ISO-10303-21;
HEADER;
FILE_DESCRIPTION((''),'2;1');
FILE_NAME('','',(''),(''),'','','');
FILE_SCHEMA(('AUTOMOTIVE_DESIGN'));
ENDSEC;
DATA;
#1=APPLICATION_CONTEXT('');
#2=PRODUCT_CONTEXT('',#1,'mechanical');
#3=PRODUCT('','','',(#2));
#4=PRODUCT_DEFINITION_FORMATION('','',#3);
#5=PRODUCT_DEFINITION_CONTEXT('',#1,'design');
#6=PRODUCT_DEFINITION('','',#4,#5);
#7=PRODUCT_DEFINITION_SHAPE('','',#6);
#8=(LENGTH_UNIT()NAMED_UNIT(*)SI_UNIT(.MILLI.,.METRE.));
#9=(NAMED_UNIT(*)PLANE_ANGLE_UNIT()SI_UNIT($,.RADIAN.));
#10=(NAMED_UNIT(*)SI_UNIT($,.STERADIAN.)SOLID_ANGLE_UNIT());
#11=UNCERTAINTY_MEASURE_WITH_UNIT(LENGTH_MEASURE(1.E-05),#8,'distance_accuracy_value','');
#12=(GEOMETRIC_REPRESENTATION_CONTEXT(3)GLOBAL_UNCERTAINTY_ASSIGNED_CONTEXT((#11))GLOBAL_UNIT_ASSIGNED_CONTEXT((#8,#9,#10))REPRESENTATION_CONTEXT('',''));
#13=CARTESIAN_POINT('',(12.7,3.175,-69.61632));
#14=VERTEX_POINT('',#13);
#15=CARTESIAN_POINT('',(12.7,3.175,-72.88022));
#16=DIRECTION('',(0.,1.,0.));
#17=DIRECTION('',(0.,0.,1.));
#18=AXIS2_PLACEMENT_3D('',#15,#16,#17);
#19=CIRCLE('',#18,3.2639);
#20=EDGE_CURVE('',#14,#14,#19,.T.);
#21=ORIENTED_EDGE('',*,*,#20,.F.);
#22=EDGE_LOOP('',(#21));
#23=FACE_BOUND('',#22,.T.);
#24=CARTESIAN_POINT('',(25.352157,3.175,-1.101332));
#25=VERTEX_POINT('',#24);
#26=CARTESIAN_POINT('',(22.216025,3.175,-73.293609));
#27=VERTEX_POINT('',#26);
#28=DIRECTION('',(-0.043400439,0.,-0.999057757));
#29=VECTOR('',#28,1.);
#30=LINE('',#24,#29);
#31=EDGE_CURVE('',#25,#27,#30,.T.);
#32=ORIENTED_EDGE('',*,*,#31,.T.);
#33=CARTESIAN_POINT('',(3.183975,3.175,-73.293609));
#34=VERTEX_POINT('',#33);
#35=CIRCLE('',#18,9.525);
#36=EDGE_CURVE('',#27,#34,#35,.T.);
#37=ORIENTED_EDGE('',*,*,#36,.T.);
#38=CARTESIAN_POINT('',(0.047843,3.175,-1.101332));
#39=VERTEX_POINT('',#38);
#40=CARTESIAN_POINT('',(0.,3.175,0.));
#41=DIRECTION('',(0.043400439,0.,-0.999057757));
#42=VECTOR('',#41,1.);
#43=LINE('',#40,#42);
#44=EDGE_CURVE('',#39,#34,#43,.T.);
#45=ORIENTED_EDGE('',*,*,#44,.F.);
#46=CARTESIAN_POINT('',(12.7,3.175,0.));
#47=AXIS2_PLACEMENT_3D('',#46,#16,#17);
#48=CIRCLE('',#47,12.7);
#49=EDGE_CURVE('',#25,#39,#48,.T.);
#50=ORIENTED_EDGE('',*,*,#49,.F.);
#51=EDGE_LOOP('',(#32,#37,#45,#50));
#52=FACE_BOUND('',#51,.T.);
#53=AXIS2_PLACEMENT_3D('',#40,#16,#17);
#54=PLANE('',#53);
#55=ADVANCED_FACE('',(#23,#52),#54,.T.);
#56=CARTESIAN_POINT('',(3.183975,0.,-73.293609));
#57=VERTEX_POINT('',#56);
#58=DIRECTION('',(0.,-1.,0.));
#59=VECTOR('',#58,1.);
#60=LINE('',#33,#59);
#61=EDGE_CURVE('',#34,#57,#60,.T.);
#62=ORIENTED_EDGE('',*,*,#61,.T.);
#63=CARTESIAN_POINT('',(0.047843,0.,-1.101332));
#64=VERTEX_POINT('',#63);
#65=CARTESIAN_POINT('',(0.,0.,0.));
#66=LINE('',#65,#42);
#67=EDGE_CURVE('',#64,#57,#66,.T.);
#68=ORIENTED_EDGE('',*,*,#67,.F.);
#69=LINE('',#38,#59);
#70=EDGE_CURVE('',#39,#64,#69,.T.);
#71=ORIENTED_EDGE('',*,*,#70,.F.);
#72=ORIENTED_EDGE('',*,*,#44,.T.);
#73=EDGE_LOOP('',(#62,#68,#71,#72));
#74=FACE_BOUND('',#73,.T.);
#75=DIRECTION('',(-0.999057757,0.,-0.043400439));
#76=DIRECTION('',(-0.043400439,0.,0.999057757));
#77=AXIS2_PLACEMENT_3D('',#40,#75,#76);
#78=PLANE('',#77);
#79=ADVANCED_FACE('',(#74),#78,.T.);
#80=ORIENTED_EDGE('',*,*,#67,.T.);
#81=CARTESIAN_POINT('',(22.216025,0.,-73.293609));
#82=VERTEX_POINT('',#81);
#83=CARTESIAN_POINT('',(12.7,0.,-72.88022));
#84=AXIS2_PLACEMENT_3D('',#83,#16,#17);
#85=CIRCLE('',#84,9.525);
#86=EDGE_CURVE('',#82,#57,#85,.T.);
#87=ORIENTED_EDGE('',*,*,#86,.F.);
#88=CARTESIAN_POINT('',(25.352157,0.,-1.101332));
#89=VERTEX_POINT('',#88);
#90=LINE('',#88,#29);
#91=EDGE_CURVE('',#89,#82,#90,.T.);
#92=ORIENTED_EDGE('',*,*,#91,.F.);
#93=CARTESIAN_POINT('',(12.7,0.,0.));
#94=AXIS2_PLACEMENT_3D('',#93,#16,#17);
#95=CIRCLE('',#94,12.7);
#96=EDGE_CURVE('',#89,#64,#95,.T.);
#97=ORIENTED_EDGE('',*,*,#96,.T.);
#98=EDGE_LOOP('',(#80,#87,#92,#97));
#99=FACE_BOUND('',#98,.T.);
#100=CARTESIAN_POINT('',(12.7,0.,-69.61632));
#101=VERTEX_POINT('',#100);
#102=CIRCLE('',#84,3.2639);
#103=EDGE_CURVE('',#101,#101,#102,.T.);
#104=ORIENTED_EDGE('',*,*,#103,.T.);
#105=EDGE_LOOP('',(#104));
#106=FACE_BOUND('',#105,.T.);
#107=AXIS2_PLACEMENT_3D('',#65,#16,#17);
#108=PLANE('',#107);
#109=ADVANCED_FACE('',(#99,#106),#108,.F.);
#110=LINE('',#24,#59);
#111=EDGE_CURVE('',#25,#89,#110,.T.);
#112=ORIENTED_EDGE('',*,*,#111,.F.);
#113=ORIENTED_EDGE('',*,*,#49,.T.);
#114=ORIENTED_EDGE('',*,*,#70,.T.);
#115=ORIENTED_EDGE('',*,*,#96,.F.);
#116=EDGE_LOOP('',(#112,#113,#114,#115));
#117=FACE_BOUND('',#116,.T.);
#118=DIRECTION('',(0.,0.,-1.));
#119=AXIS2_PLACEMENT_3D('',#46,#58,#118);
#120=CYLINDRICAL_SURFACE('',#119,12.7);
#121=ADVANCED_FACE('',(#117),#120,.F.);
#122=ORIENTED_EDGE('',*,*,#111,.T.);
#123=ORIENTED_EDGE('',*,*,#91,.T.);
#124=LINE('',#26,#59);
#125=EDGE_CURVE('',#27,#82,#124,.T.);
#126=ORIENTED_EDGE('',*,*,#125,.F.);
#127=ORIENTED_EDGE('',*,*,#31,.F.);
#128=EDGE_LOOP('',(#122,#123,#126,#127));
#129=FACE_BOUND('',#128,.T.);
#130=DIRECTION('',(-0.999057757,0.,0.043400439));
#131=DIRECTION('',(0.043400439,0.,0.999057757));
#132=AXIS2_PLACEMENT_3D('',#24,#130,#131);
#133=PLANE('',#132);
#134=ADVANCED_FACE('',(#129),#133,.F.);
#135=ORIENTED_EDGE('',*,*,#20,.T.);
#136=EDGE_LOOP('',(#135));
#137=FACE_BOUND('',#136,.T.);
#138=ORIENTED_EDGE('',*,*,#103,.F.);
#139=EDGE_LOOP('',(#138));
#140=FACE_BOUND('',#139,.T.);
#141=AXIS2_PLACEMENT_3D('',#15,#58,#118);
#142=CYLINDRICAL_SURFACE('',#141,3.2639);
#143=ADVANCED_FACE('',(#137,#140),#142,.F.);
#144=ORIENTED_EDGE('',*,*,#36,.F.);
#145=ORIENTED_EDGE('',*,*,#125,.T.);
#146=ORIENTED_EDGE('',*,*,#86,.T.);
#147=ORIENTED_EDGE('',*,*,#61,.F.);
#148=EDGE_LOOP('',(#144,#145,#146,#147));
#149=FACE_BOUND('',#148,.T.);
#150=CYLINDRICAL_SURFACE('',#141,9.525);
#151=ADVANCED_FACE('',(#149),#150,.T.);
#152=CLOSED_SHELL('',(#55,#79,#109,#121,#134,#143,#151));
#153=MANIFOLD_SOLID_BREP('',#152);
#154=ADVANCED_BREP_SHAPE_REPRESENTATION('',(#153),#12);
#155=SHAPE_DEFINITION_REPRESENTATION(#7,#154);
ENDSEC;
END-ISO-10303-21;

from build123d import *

# Parameters (mm, degrees)
SKETCH1_R           = 3.2639
BOSS_EXTRUDE2_DEPTH = 3.175


with BuildPart() as part:
    # Sketch1 → Boss-Extrude2 (new body)
    with BuildSketch(Plane(origin=(0, 0, 0), x_dir=(1, 0, 0), z_dir=(0, 1, 0))):
        with BuildLine():
            Line((3.183974864, 73.293609178), (0.047843391, 1.101332439))
            ThreePointArc((0.047843391, 1.101332439), (12.7, 12.7), (25.352156609, 1.101332439))
            Line((25.352156609, 1.101332439), (22.216025136, 73.293609178))
            ThreePointArc((22.216025136, 73.293609178), (12.7, 82.40522), (3.183974864, 73.293609178))
        make_face()
        with Locations(Location((12.7, 72.88022, 0), (0, 0, 270))):
            Circle(SKETCH1_R, mode=Mode.SUBTRACT)
    extrude(amount=BOSS_EXTRUDE2_DEPTH)


solid = part.part
